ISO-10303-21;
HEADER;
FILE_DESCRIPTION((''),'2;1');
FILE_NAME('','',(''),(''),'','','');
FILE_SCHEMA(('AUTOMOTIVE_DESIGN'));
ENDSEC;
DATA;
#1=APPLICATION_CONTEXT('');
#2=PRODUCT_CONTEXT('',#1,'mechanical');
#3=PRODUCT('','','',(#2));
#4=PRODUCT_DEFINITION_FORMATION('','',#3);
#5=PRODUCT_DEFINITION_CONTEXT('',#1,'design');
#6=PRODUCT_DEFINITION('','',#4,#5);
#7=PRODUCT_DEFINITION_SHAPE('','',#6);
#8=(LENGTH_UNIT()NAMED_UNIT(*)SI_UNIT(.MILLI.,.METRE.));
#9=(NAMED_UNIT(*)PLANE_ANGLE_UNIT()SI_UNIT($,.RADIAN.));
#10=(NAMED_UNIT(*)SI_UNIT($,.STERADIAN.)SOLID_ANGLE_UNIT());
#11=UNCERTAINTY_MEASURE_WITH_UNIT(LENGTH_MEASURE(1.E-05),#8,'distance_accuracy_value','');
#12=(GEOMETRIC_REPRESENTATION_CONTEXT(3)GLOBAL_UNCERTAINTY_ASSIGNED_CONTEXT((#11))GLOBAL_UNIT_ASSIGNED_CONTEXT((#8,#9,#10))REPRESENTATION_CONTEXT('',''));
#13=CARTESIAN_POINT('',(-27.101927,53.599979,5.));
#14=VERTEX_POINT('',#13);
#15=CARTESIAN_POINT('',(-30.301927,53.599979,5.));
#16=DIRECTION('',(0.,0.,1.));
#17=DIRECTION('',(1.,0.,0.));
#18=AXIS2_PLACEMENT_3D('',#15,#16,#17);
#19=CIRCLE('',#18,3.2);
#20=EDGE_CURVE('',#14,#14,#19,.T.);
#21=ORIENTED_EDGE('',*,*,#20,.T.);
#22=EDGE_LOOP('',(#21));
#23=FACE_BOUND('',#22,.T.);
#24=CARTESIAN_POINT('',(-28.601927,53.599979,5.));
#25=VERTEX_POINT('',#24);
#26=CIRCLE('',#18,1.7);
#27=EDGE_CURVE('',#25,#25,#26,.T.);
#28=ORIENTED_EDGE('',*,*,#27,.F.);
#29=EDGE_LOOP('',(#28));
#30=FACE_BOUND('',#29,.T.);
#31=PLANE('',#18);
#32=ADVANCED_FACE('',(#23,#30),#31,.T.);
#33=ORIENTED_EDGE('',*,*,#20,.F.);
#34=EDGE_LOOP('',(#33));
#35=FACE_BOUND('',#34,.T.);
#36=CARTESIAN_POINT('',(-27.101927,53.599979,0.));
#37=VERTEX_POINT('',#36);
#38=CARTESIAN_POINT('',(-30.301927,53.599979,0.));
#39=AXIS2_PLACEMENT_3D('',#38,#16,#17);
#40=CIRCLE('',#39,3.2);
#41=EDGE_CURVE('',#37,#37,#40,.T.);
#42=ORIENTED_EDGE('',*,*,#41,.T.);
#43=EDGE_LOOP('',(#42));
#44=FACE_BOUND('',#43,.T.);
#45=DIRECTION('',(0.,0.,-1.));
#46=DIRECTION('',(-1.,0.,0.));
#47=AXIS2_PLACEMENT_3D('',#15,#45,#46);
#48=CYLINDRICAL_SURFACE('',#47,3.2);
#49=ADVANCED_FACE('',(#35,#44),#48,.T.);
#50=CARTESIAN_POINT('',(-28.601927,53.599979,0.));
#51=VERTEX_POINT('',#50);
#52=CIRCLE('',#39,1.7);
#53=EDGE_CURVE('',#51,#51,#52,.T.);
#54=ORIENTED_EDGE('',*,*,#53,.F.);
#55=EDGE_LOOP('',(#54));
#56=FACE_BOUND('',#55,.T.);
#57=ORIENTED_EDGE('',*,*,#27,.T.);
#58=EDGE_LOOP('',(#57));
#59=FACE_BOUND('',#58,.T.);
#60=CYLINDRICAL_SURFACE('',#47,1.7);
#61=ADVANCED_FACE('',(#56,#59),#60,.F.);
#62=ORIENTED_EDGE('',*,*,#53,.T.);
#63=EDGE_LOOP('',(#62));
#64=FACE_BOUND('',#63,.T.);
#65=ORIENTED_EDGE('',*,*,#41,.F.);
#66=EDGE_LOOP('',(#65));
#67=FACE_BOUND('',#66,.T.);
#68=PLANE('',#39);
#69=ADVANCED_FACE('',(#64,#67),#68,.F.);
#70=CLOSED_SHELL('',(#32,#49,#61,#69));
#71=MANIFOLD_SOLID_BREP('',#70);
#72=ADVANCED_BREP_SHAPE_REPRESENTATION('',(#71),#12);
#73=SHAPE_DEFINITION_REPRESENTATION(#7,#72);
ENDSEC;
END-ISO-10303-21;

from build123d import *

# Parameters (mm, degrees)
ESQUISSE1_R        = 3.2
ESQUISSE1_R_2      = 1.7
BOSS_EXTRU_1_DEPTH = 5


with BuildPart() as part:
    # Esquisse1 → Boss.-Extru.1 (new body)
    with BuildSketch(Plane.XY):
        with Locations((-30.301926647, 53.599979038)):
            Circle(ESQUISSE1_R)
        with Locations((-30.301926647, 53.599979038)):
            Circle(ESQUISSE1_R_2, mode=Mode.SUBTRACT)
    extrude(amount=BOSS_EXTRU_1_DEPTH)


solid = part.part
